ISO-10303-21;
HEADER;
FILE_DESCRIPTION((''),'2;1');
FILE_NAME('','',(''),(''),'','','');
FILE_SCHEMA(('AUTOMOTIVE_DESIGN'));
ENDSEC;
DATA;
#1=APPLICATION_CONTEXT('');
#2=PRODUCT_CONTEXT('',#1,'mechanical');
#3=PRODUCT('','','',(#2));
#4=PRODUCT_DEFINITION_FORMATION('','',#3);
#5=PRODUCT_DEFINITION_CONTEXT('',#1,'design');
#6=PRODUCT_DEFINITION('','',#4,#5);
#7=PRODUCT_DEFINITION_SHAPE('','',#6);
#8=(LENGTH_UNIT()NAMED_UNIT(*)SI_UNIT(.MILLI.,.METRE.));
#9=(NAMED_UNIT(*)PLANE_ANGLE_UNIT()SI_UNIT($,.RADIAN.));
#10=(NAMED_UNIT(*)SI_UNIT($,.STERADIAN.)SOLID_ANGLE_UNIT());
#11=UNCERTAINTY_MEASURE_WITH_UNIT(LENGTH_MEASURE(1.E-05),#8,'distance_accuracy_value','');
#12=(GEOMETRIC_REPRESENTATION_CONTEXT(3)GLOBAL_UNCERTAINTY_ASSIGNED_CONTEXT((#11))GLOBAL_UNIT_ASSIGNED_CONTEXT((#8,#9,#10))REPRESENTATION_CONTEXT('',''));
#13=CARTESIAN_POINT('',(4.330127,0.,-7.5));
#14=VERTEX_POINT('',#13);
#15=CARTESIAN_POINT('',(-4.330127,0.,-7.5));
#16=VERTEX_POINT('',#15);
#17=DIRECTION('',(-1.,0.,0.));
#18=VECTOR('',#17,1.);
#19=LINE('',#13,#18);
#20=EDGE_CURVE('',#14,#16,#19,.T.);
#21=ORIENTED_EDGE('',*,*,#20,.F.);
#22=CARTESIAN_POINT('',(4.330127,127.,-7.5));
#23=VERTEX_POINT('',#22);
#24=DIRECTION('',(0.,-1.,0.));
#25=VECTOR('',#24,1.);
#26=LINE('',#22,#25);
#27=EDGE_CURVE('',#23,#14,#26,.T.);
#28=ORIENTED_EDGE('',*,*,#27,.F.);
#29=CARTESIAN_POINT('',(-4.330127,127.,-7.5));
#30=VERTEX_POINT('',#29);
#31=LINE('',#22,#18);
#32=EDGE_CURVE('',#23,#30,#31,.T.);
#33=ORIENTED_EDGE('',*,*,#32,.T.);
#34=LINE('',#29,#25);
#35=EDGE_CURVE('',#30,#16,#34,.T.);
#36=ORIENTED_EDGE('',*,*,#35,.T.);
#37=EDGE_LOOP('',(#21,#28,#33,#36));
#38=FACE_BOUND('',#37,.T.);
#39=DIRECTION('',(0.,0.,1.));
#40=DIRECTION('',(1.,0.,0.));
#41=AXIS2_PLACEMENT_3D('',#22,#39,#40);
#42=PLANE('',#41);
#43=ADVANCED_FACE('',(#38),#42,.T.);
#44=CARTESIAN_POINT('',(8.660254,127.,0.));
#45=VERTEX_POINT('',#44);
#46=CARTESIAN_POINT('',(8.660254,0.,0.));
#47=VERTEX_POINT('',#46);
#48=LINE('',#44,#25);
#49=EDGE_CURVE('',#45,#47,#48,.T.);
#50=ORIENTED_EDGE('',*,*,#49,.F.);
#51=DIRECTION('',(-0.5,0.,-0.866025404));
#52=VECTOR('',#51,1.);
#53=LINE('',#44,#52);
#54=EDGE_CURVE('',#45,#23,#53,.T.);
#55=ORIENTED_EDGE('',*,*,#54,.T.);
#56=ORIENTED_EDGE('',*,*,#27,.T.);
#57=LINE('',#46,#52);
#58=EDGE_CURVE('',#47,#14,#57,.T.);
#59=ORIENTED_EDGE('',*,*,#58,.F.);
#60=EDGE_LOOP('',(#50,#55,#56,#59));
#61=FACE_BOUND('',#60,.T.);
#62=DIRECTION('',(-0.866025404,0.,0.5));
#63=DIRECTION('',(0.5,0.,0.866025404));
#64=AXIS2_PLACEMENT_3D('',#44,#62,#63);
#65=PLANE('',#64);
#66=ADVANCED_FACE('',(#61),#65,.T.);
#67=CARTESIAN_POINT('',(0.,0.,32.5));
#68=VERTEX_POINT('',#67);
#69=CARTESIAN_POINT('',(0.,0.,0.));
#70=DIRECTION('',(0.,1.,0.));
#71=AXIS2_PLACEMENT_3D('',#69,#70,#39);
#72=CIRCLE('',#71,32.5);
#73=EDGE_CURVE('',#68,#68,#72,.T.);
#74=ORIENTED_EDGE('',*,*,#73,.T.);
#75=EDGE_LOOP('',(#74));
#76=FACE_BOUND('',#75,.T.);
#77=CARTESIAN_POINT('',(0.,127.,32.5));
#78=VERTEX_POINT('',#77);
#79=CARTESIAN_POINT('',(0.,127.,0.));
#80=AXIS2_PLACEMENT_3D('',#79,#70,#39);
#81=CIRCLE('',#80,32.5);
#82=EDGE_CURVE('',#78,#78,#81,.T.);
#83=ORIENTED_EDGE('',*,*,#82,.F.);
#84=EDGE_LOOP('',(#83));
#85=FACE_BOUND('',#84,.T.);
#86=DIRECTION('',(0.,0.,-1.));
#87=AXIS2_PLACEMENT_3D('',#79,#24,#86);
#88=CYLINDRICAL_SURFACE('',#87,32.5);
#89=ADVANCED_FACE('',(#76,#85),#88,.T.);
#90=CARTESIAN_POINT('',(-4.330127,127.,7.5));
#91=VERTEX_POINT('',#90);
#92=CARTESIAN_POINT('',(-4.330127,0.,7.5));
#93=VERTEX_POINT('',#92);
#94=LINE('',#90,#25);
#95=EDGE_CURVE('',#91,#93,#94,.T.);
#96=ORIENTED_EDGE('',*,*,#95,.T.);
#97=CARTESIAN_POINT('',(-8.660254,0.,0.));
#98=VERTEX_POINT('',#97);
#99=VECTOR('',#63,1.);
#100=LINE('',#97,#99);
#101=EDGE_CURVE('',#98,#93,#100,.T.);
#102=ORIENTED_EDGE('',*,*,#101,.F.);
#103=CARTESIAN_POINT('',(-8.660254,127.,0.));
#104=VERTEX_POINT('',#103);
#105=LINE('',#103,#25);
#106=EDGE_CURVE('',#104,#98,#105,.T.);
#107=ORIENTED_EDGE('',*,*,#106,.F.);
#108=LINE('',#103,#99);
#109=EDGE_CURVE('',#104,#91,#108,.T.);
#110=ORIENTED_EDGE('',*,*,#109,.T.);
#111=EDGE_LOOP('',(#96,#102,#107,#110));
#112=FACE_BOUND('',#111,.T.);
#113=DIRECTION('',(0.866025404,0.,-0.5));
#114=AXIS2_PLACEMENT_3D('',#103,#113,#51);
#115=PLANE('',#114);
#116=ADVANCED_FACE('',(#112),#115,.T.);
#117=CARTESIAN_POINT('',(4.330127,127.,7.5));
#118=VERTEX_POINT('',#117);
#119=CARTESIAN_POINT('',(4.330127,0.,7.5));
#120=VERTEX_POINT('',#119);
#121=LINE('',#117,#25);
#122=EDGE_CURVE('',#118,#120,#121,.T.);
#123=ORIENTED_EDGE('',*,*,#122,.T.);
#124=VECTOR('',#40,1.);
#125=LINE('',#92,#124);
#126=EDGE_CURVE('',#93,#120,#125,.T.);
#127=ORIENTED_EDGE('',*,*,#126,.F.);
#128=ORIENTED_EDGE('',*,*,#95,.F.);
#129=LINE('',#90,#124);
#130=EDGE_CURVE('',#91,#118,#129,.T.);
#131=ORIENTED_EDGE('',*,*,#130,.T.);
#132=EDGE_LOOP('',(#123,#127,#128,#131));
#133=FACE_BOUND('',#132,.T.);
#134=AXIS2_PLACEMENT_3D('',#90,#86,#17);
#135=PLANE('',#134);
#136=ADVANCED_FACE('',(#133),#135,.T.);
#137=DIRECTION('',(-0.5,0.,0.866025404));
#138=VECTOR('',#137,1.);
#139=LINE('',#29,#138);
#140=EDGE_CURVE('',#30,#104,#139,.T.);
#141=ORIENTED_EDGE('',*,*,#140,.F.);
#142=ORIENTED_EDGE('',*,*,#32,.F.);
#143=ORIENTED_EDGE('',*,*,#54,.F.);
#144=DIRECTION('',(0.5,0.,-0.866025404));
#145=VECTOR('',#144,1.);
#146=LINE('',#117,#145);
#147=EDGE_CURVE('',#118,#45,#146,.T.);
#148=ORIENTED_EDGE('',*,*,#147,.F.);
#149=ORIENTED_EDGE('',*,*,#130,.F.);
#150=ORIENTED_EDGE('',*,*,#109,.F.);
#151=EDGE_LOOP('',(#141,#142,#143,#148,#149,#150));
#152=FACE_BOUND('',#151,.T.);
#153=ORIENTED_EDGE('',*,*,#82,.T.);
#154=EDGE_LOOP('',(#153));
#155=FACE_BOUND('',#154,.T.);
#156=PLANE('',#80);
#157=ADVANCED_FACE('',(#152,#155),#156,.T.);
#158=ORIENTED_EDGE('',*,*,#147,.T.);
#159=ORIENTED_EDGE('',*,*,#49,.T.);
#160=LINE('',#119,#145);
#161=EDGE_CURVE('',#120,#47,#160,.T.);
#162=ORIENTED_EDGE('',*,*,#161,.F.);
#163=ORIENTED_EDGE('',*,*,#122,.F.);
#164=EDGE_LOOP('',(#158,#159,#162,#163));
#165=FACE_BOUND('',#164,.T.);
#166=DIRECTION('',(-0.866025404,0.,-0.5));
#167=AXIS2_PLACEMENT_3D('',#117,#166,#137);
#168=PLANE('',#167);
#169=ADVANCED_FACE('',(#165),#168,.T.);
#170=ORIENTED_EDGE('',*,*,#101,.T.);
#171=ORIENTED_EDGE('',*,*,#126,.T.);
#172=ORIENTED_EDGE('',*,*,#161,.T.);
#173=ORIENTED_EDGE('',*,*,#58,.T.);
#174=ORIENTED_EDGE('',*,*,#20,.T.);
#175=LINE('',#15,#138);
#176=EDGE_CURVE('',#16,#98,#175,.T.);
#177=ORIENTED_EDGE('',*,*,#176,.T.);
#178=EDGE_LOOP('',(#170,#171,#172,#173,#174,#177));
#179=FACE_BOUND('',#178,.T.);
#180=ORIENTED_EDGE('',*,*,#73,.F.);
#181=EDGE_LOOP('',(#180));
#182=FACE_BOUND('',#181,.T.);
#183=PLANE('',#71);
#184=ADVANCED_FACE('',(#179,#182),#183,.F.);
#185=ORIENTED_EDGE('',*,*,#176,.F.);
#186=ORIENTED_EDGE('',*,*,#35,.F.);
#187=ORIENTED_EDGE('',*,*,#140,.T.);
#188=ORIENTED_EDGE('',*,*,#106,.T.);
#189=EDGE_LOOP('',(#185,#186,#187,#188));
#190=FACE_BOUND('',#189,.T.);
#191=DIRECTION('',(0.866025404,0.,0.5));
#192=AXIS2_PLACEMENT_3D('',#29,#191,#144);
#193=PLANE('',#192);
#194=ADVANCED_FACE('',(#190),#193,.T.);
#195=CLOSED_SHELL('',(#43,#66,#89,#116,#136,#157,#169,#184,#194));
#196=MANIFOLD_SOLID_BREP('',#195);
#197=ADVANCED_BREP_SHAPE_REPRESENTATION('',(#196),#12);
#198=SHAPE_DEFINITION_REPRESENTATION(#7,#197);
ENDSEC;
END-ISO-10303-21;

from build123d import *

# Parameters (mm, degrees)
SKETCH1_R           = 32.5
BOSS_EXTRUDE1_DEPTH = 127


with BuildPart() as part:
    # Sketch1 → Boss-Extrude1 (new body)
    with BuildSketch(Plane(origin=(0, 0, 0), x_dir=(1, 0, 0), z_dir=(0, 1, 0))):
        Circle(SKETCH1_R)
        Polygon((8.660254038, 0), (4.330127019, 7.5), (-4.330127019, 7.5), (-8.660254038, 0), (-4.330127019, -7.5), (4.330127019, -7.5), align=None, mode=Mode.SUBTRACT)
    extrude(amount=BOSS_EXTRUDE1_DEPTH)


solid = part.part
